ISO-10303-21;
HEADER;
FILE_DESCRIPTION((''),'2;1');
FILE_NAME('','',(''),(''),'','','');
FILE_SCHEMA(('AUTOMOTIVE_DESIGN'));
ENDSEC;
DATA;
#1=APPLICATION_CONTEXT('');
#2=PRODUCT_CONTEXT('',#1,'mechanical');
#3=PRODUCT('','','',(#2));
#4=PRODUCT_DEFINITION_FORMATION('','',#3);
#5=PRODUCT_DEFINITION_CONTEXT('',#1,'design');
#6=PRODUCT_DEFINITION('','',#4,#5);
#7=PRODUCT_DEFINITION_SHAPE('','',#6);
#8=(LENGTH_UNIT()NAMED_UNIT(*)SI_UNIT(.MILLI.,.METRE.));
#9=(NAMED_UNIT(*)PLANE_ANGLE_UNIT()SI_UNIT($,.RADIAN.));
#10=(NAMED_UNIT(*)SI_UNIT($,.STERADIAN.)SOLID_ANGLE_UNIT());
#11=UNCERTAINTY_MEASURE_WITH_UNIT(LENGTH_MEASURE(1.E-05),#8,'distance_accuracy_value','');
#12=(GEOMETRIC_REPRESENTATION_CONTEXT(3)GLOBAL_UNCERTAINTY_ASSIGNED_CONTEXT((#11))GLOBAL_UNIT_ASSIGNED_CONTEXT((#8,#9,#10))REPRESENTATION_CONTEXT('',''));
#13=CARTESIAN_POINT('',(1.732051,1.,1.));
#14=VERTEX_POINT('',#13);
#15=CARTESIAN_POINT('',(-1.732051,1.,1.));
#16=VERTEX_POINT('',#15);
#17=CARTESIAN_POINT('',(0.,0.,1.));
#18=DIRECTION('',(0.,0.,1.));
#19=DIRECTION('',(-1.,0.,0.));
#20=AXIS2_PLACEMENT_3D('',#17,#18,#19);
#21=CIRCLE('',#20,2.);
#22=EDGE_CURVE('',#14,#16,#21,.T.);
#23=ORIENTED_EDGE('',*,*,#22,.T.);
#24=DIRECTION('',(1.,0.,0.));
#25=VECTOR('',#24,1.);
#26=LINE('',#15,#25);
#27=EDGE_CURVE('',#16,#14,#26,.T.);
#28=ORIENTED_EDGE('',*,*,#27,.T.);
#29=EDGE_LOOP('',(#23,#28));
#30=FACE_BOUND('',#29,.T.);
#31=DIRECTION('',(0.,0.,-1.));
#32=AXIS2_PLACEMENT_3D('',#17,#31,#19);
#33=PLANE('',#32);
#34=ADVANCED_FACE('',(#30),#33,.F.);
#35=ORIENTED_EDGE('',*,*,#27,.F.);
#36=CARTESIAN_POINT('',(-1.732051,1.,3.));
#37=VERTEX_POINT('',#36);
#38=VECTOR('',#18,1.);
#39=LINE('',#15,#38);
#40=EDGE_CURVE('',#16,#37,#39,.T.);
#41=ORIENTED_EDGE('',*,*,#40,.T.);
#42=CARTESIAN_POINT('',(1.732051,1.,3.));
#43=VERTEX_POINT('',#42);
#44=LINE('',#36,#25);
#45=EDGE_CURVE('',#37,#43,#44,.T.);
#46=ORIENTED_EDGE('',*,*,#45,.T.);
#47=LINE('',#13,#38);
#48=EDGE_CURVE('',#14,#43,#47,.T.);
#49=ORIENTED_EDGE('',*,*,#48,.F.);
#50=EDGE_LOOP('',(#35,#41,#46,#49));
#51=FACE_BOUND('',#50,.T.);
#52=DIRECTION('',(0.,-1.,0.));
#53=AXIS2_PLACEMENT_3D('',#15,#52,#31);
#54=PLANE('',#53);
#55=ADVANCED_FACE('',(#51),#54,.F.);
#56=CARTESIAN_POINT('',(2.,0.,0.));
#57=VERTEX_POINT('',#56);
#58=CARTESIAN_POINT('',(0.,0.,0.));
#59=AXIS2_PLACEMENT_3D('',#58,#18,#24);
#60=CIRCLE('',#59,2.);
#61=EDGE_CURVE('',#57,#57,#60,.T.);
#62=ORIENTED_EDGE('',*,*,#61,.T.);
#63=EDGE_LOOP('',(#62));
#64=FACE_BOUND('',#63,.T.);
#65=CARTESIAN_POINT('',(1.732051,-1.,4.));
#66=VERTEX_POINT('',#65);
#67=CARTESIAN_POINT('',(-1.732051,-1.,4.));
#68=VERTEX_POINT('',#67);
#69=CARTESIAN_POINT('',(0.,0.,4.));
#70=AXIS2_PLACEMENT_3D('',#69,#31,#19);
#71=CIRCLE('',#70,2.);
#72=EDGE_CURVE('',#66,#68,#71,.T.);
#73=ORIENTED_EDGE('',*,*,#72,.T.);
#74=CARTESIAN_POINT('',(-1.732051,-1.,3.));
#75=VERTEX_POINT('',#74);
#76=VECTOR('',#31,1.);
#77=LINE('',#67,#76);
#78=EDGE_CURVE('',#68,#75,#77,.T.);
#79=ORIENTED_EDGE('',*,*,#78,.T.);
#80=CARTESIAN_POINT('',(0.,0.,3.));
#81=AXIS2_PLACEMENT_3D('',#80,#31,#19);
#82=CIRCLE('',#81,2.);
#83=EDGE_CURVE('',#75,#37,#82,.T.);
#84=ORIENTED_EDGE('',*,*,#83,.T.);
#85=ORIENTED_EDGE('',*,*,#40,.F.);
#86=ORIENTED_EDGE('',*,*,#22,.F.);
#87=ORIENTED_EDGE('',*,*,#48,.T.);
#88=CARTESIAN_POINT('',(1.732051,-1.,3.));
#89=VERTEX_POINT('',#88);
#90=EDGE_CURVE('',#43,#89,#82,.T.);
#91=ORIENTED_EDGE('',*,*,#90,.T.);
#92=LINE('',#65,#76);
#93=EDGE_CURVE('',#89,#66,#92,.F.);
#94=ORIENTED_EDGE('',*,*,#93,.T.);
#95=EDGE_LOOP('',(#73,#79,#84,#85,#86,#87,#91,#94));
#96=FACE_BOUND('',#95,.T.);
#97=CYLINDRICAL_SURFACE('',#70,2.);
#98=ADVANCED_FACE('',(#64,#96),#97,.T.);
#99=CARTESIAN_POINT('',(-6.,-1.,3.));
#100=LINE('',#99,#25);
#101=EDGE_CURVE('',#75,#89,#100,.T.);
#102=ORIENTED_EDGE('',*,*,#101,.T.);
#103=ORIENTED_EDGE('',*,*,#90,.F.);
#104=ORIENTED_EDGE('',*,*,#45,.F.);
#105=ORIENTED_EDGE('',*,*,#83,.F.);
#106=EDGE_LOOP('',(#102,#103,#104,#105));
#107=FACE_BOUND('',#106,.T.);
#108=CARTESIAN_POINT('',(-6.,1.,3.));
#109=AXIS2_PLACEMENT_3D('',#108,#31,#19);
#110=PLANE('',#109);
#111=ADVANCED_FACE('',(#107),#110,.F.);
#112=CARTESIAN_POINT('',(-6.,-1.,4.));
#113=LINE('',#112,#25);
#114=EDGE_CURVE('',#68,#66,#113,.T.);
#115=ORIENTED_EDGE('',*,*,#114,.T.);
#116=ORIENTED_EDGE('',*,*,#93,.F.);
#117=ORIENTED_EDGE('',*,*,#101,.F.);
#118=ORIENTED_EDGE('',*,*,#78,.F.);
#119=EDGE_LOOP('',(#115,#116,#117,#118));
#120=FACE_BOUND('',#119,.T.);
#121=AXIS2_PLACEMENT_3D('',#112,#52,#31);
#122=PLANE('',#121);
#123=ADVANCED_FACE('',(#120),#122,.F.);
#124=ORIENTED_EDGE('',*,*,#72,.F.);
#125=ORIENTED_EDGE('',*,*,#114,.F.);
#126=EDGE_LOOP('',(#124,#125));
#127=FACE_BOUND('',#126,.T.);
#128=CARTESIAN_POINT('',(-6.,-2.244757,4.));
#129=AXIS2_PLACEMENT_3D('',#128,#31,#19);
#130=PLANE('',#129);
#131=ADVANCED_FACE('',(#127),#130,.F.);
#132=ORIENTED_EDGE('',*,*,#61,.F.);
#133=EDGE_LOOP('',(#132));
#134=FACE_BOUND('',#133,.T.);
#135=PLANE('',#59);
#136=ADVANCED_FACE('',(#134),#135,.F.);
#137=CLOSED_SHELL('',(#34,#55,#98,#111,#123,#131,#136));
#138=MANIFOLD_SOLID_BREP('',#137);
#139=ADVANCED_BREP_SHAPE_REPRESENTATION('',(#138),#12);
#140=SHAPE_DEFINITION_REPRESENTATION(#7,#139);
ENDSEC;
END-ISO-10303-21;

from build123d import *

# Parameters (mm, degrees)
SKETCH1_R           = 2
BOSS_EXTRUDE1_DEPTH = 4
BOSS_EXTRUDE2_DEPTH = 1
CUT_EXTRUDE1_DEPTH  = 3
CUT_EXTRUDE2_DEPTH  = 6


with BuildPart() as part:
    # Sketch1 → Boss-Extrude1 (new body)
    with BuildSketch(Plane.XY):
        Circle(SKETCH1_R)
    extrude(amount=BOSS_EXTRUDE1_DEPTH)

    # Sketch2 → Boss-Extrude2 (add)
    with BuildSketch(Plane.XY.offset(4)):
        with BuildLine():
            Line((-1.732050808, -1), (1.732050808, -1))
            ThreePointArc((1.732050808, -1), (0, -2), (-1.732050808, -1))
        make_face()
    extrude(amount=BOSS_EXTRUDE2_DEPTH)

    # Sketch3 → Cut-Extrude1 (cut)
    with BuildSketch(Plane.XY.offset(4)):
        with BuildLine():
            Line((-1.732050808, 1), (1.732050808, 1))
            ThreePointArc((1.732050808, 1), (0, 2), (-1.732050808, 1))
        make_face()
    extrude(amount=-CUT_EXTRUDE1_DEPTH, mode=Mode.SUBTRACT)

    # Sketch4 → Cut-Extrude2 (cut, symmetric)
    with BuildSketch(Plane(origin=(0, 0, 0), x_dir=(0, 0, -1), z_dir=(1, 0, 0))):
        Polygon((-4, -1), (-3, -1), (-3, 1), (-3, 1.7578402), (-5.763570066, 1.806323886), (-6.032923873, -1.975403573), (-4.341381962, -2.24475738), (-4, -2.24475738), align=None)
    extrude(amount=CUT_EXTRUDE2_DEPTH, both=True, mode=Mode.SUBTRACT)


solid = part.part
